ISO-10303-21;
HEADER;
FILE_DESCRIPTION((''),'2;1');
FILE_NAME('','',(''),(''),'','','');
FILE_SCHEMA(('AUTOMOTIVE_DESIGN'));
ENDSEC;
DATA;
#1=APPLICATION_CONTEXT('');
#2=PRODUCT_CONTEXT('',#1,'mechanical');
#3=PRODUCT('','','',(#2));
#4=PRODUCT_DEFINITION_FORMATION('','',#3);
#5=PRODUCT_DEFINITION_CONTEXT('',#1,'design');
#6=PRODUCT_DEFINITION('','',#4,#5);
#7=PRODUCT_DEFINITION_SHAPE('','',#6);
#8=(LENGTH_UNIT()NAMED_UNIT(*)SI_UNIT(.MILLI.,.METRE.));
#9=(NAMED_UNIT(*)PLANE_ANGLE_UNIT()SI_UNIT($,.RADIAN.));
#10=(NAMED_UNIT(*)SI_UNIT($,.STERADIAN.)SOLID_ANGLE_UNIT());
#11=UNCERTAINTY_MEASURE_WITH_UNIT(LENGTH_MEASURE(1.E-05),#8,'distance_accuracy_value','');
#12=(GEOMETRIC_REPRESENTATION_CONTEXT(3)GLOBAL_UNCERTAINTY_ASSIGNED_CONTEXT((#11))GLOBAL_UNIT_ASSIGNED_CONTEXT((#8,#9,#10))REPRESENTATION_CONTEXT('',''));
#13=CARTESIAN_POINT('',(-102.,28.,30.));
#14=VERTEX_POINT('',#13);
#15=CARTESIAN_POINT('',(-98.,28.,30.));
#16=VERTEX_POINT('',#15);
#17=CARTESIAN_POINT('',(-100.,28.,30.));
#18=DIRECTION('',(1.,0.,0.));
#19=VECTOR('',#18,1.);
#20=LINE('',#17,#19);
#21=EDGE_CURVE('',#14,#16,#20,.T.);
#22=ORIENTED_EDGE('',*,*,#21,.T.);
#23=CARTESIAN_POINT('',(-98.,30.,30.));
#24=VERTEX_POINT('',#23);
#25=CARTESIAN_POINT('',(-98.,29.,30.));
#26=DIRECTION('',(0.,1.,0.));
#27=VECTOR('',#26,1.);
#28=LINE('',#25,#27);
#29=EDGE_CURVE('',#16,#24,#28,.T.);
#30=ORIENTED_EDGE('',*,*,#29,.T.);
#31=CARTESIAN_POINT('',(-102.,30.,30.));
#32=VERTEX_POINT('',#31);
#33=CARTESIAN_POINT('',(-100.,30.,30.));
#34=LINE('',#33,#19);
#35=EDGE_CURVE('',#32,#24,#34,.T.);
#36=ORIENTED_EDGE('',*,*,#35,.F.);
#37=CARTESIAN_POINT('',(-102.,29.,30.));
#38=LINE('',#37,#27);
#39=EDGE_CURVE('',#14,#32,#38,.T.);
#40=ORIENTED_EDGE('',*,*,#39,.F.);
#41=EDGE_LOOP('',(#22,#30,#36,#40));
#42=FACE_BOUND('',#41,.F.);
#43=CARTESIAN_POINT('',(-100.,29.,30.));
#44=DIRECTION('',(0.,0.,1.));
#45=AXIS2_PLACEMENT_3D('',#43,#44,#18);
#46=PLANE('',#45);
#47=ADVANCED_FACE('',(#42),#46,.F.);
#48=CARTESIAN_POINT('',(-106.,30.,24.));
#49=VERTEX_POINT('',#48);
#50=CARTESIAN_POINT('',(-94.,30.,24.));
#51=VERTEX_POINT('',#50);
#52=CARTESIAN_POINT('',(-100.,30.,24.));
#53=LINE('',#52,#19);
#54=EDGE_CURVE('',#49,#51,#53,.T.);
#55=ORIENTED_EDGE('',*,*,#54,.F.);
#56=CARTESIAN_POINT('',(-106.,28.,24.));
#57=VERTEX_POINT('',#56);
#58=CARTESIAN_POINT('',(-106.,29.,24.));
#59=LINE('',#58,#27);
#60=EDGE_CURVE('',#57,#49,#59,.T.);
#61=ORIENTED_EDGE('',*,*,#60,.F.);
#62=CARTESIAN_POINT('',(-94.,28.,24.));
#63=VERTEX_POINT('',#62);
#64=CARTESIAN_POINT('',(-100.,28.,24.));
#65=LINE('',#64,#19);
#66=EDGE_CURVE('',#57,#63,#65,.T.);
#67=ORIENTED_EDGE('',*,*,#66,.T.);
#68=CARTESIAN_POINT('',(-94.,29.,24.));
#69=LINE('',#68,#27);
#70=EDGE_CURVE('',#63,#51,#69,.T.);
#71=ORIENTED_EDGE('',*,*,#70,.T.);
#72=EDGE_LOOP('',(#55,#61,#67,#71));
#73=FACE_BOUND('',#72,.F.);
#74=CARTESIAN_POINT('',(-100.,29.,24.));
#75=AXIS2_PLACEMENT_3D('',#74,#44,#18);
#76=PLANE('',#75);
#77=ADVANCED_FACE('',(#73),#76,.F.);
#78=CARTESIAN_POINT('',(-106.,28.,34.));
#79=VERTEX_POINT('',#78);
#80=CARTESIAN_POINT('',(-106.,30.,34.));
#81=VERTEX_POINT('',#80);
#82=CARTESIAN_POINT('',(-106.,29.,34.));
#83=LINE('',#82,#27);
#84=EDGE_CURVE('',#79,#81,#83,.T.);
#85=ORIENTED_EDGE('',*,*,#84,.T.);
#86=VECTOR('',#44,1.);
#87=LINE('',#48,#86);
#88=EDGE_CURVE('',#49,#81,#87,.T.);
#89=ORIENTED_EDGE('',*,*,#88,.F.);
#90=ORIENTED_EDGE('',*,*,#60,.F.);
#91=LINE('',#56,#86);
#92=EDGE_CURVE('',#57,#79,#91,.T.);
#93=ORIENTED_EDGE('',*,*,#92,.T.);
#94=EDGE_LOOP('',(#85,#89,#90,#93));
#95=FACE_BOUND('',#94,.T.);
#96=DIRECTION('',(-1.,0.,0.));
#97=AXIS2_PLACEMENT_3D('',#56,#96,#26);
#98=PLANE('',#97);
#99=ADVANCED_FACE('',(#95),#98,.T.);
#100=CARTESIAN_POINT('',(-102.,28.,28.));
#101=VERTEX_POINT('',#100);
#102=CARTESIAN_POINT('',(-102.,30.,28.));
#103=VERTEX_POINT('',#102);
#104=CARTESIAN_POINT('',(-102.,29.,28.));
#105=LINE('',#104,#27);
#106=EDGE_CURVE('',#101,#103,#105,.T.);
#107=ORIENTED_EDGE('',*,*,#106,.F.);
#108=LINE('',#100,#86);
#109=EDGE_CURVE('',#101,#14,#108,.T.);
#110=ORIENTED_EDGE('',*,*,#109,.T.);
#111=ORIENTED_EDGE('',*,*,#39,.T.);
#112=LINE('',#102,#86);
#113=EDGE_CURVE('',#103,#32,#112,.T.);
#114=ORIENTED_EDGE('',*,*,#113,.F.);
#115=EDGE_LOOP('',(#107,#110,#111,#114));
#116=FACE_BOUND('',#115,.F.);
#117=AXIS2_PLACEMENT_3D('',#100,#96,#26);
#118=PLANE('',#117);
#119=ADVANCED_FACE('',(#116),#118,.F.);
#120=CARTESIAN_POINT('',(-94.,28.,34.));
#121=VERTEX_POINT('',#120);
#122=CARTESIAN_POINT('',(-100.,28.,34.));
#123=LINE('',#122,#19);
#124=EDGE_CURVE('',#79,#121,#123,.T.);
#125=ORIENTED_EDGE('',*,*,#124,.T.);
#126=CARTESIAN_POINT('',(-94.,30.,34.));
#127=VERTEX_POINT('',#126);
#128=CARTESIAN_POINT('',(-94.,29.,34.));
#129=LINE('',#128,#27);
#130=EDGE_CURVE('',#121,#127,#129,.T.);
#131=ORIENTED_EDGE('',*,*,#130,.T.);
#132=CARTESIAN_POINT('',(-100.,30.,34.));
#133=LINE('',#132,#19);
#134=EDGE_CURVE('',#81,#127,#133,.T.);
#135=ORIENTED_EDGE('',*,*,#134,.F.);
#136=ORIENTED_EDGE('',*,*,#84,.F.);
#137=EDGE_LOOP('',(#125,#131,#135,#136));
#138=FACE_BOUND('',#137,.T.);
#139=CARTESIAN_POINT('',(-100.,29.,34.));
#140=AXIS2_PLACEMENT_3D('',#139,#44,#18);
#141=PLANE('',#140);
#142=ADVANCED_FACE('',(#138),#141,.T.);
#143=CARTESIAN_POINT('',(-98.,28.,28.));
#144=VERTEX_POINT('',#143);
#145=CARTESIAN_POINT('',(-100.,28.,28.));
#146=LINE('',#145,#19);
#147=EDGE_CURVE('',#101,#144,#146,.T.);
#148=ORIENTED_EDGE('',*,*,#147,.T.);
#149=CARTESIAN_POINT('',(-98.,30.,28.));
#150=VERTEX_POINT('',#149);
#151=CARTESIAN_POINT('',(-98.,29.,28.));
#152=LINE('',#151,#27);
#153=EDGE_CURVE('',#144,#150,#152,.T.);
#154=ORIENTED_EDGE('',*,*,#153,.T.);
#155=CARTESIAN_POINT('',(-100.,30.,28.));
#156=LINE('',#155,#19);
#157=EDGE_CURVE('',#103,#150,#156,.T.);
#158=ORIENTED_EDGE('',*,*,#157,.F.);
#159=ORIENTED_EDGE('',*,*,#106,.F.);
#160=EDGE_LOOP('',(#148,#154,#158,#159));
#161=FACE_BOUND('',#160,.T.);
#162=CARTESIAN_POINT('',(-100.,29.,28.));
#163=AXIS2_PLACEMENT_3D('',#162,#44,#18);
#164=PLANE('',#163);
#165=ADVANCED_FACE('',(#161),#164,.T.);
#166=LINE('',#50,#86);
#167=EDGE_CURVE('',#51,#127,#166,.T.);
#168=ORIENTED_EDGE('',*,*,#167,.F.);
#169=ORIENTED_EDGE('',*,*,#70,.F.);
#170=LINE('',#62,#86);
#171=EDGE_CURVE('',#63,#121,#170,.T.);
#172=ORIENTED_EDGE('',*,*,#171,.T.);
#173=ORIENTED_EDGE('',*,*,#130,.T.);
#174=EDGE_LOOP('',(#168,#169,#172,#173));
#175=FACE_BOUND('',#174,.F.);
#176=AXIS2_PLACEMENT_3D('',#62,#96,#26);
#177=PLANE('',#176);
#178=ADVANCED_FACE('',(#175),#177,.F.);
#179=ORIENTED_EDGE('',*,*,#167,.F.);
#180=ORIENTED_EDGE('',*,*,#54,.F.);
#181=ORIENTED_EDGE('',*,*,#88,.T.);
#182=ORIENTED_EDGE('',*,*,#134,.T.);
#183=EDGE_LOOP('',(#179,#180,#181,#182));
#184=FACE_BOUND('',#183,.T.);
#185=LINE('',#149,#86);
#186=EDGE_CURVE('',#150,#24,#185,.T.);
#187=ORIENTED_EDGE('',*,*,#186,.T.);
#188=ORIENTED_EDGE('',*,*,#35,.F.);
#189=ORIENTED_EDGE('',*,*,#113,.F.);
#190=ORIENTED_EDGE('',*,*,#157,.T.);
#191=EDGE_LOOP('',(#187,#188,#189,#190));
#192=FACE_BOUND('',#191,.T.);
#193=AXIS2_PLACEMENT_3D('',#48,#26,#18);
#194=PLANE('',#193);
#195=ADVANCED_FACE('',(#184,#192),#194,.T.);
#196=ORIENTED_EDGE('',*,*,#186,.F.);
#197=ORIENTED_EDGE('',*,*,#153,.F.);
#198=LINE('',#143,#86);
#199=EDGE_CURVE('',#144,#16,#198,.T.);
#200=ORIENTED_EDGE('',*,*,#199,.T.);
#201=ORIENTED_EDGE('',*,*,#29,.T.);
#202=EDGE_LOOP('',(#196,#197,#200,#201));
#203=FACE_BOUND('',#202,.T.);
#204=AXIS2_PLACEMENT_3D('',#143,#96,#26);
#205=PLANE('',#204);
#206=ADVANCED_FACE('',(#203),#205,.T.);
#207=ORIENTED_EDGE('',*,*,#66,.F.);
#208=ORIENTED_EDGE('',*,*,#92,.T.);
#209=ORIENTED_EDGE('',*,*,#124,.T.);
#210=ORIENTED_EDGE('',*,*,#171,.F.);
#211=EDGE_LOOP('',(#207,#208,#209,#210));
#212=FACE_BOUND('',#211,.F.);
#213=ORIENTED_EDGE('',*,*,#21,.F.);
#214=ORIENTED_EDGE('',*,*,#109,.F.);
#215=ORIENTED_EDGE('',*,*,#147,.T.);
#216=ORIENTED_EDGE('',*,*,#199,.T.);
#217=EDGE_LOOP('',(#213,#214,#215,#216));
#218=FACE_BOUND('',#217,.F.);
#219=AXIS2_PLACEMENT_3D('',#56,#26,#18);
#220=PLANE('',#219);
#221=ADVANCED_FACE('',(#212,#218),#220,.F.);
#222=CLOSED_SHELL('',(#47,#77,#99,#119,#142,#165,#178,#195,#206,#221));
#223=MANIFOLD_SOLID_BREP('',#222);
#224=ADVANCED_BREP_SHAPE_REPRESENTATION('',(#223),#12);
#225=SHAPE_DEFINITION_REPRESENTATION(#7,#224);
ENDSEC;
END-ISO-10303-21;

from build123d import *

# Parameters (mm, degrees)
BOX013_W     = 4
BOX013_H     = 2
BOX013_DEPTH = 2
BOX012_W     = 12
BOX012_H     = 2
BOX012_DEPTH = 10


with BuildPart() as cube011:
    # Box013 → Box013 (new body)
    with BuildSketch(Plane(origin=(4, 0, 30), x_dir=(1, 0, 0), z_dir=(0, 0, 1))):
        with Locations((2, 1)):
            Rectangle(BOX013_W, BOX013_H)
    extrude(amount=BOX013_DEPTH)


with BuildPart() as wireharnestiepoint:
    # Box012 → Box012 (new body)
    with BuildSketch(Plane.XY.offset(26)):
        with Locations((6, 1)):
            Rectangle(BOX012_W, BOX012_H)
    extrude(amount=BOX012_DEPTH)

    # Cut005: cut Cube011
    add(cube011.part, mode=Mode.SUBTRACT)


with BuildPart() as wireharnestiepoint_1:
    # Cut005 placement: moved
    add(wireharnestiepoint.part.moved(Location((-106, 28, -2))))


solid = wireharnestiepoint_1.part
